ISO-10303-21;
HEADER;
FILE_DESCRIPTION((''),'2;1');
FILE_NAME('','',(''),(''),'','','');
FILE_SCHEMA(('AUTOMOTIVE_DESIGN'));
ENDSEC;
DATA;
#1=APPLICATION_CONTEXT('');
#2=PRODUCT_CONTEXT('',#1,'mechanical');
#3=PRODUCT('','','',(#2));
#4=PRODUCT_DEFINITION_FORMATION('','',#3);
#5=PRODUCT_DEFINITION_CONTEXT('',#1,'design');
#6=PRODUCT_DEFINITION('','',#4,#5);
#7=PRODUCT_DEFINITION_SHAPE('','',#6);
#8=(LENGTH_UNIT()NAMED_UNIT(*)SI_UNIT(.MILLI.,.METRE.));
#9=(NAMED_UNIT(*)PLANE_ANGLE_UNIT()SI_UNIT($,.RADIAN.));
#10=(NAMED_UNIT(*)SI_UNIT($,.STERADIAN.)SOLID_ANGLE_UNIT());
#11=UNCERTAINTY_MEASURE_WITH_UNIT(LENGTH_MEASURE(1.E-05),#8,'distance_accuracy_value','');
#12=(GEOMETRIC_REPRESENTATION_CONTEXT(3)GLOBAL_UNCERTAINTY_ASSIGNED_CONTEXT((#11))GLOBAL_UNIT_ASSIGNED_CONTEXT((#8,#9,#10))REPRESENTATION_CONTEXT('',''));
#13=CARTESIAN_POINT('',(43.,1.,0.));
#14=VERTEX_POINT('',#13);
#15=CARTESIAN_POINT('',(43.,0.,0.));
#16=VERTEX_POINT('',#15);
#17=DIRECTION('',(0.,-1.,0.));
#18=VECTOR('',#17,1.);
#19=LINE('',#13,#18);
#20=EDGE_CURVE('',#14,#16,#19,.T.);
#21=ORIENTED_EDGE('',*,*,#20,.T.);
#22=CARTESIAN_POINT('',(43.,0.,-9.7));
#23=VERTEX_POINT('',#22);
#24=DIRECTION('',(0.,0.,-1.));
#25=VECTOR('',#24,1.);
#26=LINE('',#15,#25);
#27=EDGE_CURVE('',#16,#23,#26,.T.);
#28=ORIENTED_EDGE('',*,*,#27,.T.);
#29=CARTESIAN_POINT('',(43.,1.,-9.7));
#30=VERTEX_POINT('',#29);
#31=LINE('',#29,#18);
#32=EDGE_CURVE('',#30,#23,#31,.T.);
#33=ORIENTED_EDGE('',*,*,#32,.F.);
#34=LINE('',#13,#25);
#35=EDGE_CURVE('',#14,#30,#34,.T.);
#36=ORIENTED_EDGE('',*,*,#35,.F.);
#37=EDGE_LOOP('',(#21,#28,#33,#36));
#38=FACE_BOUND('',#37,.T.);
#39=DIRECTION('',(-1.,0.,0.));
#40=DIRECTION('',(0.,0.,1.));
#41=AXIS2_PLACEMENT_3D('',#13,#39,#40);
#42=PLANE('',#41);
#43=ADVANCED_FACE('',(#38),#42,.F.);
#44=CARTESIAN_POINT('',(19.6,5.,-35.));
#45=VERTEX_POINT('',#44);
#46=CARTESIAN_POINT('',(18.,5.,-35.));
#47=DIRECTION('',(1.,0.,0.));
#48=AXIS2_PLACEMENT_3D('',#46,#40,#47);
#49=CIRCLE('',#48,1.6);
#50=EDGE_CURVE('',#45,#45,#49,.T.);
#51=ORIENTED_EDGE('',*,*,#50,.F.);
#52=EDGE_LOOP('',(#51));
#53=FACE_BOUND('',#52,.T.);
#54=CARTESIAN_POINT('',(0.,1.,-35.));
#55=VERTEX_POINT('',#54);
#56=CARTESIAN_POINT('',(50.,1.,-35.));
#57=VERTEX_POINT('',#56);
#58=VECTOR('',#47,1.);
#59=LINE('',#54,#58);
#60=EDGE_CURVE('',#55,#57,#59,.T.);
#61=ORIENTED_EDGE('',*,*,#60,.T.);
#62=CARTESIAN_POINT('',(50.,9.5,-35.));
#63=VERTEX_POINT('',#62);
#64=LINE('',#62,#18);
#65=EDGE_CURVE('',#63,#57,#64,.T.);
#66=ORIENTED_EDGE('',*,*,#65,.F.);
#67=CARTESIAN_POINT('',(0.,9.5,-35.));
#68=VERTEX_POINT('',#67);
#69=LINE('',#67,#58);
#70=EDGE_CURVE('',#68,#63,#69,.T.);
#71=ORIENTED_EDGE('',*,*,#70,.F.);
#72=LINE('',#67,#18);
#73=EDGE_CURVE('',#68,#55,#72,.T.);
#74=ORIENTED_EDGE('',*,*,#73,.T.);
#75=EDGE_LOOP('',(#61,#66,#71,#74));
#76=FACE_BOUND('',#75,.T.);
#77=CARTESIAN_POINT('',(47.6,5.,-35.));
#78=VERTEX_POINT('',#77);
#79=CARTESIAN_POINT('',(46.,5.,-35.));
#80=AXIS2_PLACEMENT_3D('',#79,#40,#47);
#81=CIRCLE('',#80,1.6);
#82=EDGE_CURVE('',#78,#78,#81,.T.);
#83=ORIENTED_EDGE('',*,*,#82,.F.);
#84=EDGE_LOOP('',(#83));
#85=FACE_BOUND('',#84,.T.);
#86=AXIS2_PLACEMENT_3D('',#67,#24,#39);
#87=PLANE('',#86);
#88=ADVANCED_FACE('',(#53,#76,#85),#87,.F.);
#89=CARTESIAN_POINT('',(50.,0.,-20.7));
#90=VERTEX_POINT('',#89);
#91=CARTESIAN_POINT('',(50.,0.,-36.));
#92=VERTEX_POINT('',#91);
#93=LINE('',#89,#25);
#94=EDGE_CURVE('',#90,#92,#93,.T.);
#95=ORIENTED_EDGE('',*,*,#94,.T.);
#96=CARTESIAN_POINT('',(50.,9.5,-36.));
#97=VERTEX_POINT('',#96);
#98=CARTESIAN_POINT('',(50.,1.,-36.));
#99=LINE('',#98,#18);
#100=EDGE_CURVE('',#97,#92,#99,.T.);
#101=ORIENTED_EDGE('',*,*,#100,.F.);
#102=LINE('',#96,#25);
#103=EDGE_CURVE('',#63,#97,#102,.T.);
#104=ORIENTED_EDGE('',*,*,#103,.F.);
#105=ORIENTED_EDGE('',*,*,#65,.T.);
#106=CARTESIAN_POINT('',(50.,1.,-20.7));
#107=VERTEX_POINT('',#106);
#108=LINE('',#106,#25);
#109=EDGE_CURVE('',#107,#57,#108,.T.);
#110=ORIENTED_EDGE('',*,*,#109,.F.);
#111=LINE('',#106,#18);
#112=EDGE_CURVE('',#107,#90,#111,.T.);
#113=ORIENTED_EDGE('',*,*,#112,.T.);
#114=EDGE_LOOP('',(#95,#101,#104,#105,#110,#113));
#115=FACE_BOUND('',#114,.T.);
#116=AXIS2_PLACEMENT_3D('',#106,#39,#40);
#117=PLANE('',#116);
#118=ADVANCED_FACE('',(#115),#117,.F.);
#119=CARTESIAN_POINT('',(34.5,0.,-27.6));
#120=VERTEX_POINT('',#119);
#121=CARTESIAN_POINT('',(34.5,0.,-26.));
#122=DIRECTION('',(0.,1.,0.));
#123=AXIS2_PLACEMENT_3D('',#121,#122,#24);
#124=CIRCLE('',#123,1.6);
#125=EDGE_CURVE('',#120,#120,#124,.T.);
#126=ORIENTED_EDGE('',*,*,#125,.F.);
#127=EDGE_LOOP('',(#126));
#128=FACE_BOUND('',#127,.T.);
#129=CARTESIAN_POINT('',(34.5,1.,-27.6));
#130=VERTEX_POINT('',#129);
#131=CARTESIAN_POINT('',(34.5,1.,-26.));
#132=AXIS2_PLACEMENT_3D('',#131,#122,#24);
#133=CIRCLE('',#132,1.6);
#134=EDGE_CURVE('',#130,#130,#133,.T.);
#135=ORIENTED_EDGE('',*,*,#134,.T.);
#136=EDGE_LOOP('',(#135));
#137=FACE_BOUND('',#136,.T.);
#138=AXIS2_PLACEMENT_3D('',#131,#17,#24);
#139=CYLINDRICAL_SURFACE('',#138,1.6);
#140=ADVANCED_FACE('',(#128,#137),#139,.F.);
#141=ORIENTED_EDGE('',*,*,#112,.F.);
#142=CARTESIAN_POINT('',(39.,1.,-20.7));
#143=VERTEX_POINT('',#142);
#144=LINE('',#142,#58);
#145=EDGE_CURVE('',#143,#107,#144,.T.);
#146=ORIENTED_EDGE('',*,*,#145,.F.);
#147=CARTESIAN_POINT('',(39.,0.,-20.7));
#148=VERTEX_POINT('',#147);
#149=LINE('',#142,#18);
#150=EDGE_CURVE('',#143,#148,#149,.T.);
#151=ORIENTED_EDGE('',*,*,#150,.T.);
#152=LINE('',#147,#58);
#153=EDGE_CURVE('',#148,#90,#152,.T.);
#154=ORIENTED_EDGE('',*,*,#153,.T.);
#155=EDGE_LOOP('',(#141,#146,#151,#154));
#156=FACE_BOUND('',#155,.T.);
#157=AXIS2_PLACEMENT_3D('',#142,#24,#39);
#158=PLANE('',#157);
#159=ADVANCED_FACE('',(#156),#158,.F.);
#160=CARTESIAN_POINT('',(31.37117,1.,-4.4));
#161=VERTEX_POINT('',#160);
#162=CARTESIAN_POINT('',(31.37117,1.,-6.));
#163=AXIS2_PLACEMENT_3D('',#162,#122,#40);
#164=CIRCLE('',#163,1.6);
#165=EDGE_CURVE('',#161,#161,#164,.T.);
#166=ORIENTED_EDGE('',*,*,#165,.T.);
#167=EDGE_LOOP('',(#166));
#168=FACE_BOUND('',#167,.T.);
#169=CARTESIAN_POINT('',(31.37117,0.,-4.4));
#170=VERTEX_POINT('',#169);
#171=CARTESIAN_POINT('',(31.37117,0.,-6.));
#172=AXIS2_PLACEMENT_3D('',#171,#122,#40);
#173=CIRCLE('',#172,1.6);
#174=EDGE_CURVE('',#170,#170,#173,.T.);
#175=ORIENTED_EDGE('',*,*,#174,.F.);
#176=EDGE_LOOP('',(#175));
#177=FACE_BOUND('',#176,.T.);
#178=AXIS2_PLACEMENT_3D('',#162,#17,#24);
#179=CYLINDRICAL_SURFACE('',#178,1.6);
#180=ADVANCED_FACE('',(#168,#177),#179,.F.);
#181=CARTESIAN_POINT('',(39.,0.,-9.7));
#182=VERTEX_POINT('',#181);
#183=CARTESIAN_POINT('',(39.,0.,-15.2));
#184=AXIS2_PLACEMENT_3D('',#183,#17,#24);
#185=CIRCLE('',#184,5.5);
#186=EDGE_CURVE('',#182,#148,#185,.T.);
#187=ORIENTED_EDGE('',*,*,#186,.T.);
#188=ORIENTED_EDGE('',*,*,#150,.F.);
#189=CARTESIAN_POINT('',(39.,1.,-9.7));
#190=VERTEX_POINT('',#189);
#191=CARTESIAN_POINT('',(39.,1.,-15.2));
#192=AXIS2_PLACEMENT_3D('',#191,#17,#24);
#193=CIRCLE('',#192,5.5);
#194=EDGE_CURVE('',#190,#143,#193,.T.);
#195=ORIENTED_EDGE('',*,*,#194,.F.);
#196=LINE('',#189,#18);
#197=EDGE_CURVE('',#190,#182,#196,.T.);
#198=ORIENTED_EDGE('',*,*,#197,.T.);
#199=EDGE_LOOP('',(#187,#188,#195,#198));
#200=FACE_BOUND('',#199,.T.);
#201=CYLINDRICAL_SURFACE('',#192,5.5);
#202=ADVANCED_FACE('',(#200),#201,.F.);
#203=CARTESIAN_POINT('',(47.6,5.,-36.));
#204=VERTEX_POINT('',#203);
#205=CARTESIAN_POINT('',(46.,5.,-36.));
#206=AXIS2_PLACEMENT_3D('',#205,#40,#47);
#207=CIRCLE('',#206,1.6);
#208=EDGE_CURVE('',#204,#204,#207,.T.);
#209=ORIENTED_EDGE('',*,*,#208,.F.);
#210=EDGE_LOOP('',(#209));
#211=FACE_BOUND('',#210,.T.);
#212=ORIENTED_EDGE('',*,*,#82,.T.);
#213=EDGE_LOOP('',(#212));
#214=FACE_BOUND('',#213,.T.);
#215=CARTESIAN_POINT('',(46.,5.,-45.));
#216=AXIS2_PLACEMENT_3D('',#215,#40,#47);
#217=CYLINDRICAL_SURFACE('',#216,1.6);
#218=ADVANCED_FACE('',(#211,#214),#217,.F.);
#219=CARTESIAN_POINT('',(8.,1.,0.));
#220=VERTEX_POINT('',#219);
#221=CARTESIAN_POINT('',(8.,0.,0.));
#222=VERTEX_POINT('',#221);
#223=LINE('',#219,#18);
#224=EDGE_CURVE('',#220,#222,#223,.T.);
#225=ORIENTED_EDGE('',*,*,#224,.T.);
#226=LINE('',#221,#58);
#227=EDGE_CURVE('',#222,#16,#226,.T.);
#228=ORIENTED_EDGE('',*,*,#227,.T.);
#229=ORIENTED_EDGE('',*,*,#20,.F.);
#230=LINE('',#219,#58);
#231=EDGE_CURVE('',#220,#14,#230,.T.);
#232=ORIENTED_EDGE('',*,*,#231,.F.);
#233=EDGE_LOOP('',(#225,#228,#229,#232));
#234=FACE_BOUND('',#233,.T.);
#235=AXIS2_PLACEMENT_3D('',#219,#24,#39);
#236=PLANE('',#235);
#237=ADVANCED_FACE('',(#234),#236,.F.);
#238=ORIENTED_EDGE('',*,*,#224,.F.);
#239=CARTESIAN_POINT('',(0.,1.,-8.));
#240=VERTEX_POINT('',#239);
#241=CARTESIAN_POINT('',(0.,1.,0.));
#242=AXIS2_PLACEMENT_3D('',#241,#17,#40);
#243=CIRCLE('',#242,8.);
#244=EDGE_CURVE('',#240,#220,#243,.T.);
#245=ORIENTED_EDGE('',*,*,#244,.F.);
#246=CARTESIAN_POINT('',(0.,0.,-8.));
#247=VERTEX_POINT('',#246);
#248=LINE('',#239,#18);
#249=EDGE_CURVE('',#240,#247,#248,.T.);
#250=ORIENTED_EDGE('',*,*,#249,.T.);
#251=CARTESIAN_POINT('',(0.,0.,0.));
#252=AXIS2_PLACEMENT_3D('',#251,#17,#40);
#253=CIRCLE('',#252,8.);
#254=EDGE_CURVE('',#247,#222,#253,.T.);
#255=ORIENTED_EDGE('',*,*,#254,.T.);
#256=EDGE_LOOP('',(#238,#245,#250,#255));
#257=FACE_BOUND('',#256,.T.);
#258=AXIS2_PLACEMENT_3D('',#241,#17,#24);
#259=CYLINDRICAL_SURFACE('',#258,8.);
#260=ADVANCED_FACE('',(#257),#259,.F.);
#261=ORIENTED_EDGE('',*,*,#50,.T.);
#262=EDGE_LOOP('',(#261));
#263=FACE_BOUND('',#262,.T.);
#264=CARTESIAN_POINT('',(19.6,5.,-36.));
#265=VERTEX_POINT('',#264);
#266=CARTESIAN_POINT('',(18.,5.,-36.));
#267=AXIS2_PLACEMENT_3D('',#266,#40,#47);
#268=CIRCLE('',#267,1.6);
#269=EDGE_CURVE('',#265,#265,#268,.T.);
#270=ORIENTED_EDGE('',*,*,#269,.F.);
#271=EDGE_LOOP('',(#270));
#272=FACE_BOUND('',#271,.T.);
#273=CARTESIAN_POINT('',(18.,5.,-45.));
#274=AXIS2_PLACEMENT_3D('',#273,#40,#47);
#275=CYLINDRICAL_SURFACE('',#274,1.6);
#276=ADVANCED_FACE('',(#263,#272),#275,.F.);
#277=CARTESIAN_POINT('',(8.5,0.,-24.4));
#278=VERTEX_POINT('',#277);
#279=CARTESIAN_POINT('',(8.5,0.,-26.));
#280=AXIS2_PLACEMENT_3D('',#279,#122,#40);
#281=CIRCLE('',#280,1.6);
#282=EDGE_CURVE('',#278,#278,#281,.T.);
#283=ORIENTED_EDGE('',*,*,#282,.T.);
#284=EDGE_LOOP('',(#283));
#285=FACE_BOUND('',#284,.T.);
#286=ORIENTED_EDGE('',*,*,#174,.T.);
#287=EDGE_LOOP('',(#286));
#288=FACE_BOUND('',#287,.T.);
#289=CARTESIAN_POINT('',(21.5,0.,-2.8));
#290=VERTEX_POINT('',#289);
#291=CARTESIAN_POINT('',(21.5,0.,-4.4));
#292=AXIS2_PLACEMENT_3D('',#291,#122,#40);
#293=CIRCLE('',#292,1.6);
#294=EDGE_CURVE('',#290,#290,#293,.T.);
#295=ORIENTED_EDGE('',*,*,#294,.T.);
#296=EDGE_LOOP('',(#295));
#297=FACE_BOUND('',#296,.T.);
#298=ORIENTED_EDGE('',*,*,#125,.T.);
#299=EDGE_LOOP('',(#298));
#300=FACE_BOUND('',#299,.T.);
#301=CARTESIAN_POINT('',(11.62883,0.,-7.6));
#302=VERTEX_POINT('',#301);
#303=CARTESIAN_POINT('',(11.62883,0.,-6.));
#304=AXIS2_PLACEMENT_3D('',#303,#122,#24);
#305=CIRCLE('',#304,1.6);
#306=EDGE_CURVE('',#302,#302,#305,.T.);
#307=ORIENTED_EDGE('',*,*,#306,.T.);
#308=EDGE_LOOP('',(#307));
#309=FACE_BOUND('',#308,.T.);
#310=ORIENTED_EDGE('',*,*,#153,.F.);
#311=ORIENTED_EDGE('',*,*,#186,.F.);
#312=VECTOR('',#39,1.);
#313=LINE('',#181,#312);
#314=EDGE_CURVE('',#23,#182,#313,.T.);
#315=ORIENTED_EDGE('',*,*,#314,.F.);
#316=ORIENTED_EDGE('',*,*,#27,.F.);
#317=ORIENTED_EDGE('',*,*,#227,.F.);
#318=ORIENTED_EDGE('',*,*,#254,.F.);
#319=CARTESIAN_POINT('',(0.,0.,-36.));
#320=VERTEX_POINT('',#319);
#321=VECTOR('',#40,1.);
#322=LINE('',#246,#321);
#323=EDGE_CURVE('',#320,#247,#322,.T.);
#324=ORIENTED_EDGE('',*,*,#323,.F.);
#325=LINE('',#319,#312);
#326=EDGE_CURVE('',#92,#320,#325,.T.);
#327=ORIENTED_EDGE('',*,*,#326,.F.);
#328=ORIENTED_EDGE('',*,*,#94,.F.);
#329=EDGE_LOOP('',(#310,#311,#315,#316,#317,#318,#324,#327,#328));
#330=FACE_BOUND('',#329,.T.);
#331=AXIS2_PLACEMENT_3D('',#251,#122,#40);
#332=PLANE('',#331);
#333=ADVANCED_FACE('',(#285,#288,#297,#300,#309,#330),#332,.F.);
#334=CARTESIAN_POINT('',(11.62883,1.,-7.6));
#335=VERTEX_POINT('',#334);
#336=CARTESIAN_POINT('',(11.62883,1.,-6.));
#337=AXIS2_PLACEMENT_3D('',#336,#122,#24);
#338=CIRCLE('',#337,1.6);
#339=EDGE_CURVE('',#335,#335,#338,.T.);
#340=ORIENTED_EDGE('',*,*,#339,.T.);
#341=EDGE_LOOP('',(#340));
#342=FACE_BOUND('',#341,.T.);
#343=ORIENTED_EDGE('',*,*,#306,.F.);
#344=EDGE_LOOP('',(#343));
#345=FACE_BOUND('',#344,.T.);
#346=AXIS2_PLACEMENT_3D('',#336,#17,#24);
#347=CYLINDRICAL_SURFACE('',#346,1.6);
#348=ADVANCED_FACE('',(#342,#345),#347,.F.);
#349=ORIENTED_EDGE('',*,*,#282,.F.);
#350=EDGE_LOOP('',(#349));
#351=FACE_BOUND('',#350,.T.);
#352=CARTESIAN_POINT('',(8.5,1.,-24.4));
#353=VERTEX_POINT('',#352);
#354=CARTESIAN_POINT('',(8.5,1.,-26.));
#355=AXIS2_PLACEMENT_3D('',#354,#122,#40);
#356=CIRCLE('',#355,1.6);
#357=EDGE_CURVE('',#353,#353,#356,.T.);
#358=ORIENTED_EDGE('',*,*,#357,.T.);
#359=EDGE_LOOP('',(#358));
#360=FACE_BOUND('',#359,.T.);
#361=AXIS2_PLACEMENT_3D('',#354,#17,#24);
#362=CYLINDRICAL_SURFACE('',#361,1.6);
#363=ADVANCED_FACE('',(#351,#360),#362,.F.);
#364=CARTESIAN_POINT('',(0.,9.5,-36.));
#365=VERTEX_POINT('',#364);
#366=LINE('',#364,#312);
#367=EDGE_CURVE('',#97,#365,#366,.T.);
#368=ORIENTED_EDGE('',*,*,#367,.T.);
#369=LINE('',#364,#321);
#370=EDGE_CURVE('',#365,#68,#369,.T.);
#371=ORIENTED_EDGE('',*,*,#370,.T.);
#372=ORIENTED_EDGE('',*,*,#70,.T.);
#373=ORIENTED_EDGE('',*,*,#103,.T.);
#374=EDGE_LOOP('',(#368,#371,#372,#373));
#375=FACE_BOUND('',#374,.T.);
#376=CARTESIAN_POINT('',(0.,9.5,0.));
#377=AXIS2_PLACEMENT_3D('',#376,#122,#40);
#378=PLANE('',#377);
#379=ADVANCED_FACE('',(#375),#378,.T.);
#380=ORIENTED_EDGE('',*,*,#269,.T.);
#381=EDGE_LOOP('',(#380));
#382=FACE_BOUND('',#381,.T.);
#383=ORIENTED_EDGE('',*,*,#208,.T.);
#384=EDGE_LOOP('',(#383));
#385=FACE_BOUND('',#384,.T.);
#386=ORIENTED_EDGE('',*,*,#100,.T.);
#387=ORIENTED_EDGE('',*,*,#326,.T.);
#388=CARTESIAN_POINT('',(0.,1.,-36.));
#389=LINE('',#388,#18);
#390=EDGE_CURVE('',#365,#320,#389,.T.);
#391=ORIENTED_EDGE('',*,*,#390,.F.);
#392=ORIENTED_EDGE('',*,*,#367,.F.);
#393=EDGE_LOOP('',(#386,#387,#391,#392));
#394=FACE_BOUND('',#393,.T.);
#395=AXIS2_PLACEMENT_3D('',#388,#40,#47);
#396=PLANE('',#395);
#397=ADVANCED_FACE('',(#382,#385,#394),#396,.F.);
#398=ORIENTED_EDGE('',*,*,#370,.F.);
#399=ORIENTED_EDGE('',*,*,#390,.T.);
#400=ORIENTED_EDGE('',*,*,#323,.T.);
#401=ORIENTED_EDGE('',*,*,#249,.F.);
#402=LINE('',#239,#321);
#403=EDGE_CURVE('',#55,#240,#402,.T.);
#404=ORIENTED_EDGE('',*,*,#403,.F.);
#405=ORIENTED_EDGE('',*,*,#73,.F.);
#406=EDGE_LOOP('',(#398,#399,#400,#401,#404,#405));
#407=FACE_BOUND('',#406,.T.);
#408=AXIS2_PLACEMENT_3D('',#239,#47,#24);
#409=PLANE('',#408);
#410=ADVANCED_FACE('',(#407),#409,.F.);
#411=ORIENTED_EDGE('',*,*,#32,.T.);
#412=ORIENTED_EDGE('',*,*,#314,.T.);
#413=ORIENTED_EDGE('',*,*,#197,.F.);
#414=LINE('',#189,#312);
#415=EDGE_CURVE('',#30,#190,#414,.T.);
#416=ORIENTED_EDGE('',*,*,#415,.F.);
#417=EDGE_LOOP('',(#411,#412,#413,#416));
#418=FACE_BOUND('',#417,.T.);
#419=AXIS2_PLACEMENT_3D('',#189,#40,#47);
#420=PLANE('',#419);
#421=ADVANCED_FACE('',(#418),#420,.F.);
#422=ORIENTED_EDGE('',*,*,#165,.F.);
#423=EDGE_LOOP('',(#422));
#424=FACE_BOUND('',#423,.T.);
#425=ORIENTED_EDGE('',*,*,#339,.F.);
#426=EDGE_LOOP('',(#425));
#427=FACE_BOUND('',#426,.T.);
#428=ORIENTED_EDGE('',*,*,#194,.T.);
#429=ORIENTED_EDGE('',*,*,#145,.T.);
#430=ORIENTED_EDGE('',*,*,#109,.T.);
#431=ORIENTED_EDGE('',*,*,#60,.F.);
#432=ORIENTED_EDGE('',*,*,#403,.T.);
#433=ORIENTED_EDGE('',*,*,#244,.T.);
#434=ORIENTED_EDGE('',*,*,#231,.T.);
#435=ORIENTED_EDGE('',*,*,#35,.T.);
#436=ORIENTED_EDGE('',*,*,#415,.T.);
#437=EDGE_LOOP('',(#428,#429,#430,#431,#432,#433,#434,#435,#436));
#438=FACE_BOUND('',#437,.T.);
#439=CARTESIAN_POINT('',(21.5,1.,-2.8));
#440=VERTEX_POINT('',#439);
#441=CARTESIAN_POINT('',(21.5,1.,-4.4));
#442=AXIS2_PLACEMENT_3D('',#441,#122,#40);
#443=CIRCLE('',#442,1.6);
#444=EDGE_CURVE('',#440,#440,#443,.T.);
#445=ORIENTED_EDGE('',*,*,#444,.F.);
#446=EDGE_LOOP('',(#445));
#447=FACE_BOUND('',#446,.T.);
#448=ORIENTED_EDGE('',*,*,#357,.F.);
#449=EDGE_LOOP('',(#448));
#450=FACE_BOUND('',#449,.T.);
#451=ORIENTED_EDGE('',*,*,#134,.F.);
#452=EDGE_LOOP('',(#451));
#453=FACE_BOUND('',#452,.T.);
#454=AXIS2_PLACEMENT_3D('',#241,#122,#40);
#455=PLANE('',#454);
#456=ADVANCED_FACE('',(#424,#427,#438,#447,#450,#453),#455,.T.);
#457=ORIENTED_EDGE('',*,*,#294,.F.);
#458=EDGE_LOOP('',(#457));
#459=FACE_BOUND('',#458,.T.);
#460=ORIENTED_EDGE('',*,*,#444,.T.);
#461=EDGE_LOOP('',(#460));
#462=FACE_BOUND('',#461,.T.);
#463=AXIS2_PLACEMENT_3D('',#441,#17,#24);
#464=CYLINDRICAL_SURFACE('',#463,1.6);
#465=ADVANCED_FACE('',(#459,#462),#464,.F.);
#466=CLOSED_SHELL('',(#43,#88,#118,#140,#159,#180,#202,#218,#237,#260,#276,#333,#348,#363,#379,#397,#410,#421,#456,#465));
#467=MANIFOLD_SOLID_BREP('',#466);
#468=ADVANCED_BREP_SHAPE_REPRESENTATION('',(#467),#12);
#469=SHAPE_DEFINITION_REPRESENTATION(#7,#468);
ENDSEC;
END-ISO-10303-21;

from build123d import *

# Parameters (mm, degrees)
SKETCH_1_R          = 1.6
EXTRUDE_1_DEPTH     = 1
SKETCH_2_W          = 50
SKETCH_2_H          = 1
EXTRUDE_2_DEPTH     = 8.5
SKETCH_3_R          = 1.6
CUT_EXTRUDE_1_DEPTH = 10


with BuildPart() as part:
    # 草图1 → 凸台-拉伸1 (new body)
    with BuildSketch(Plane(origin=(0, 0, 0), x_dir=(1, 0, 0), z_dir=(0, 1, 0))):
        with BuildLine():
            Line((8, 0), (43, 0))
            Line((43, 0), (43, 9.7))
            Line((43, 9.7), (39, 9.7))
            ThreePointArc((39, 9.7), (33.5, 15.2), (39, 20.7))
            Line((39, 20.7), (50, 20.7))
            Line((50, 20.7), (50, 36))
            Line((50, 36), (0, 36))
            Line((0, 36), (0, 8))
            ThreePointArc((0, 8), (5.656854249, 5.656854249), (8, 0))
        make_face()
        with Locations(Location((8.5, 26, 0), (0, 0, 270))):
            Circle(SKETCH_1_R, mode=Mode.SUBTRACT)
        with Locations(Location((21.5, 4.4, 0), (0, 0, 270))):
            Circle(SKETCH_1_R, mode=Mode.SUBTRACT)
        with Locations(Location((34.5, 26, 0), (0, 0, 90))):
            Circle(SKETCH_1_R, mode=Mode.SUBTRACT)
        with Locations(Location((31.371170143, 6, 0), (0, 0, 270))):
            Circle(SKETCH_1_R, mode=Mode.SUBTRACT)
        with Locations(Location((11.628829857, 6, 0), (0, 0, 90))):
            Circle(SKETCH_1_R, mode=Mode.SUBTRACT)
    extrude(amount=EXTRUDE_1_DEPTH)

    # 草图2 → 凸台-拉伸2 (add)
    with BuildSketch(Plane(origin=(0, 1, 0), x_dir=(1, 0, 0), z_dir=(0, 1, 0))):
        with Locations((25, 35.5)):
            Rectangle(SKETCH_2_W, SKETCH_2_H)
    extrude(amount=EXTRUDE_2_DEPTH)

    # 草图3 → 切除-拉伸1 (cut)
    with BuildSketch(Plane.XY.offset(-35)):
        with Locations((46, 5)):
            Circle(SKETCH_3_R)
        with Locations((18, 5)):
            Circle(SKETCH_3_R)
    extrude(amount=-CUT_EXTRUDE_1_DEPTH, mode=Mode.SUBTRACT)


solid = part.part
